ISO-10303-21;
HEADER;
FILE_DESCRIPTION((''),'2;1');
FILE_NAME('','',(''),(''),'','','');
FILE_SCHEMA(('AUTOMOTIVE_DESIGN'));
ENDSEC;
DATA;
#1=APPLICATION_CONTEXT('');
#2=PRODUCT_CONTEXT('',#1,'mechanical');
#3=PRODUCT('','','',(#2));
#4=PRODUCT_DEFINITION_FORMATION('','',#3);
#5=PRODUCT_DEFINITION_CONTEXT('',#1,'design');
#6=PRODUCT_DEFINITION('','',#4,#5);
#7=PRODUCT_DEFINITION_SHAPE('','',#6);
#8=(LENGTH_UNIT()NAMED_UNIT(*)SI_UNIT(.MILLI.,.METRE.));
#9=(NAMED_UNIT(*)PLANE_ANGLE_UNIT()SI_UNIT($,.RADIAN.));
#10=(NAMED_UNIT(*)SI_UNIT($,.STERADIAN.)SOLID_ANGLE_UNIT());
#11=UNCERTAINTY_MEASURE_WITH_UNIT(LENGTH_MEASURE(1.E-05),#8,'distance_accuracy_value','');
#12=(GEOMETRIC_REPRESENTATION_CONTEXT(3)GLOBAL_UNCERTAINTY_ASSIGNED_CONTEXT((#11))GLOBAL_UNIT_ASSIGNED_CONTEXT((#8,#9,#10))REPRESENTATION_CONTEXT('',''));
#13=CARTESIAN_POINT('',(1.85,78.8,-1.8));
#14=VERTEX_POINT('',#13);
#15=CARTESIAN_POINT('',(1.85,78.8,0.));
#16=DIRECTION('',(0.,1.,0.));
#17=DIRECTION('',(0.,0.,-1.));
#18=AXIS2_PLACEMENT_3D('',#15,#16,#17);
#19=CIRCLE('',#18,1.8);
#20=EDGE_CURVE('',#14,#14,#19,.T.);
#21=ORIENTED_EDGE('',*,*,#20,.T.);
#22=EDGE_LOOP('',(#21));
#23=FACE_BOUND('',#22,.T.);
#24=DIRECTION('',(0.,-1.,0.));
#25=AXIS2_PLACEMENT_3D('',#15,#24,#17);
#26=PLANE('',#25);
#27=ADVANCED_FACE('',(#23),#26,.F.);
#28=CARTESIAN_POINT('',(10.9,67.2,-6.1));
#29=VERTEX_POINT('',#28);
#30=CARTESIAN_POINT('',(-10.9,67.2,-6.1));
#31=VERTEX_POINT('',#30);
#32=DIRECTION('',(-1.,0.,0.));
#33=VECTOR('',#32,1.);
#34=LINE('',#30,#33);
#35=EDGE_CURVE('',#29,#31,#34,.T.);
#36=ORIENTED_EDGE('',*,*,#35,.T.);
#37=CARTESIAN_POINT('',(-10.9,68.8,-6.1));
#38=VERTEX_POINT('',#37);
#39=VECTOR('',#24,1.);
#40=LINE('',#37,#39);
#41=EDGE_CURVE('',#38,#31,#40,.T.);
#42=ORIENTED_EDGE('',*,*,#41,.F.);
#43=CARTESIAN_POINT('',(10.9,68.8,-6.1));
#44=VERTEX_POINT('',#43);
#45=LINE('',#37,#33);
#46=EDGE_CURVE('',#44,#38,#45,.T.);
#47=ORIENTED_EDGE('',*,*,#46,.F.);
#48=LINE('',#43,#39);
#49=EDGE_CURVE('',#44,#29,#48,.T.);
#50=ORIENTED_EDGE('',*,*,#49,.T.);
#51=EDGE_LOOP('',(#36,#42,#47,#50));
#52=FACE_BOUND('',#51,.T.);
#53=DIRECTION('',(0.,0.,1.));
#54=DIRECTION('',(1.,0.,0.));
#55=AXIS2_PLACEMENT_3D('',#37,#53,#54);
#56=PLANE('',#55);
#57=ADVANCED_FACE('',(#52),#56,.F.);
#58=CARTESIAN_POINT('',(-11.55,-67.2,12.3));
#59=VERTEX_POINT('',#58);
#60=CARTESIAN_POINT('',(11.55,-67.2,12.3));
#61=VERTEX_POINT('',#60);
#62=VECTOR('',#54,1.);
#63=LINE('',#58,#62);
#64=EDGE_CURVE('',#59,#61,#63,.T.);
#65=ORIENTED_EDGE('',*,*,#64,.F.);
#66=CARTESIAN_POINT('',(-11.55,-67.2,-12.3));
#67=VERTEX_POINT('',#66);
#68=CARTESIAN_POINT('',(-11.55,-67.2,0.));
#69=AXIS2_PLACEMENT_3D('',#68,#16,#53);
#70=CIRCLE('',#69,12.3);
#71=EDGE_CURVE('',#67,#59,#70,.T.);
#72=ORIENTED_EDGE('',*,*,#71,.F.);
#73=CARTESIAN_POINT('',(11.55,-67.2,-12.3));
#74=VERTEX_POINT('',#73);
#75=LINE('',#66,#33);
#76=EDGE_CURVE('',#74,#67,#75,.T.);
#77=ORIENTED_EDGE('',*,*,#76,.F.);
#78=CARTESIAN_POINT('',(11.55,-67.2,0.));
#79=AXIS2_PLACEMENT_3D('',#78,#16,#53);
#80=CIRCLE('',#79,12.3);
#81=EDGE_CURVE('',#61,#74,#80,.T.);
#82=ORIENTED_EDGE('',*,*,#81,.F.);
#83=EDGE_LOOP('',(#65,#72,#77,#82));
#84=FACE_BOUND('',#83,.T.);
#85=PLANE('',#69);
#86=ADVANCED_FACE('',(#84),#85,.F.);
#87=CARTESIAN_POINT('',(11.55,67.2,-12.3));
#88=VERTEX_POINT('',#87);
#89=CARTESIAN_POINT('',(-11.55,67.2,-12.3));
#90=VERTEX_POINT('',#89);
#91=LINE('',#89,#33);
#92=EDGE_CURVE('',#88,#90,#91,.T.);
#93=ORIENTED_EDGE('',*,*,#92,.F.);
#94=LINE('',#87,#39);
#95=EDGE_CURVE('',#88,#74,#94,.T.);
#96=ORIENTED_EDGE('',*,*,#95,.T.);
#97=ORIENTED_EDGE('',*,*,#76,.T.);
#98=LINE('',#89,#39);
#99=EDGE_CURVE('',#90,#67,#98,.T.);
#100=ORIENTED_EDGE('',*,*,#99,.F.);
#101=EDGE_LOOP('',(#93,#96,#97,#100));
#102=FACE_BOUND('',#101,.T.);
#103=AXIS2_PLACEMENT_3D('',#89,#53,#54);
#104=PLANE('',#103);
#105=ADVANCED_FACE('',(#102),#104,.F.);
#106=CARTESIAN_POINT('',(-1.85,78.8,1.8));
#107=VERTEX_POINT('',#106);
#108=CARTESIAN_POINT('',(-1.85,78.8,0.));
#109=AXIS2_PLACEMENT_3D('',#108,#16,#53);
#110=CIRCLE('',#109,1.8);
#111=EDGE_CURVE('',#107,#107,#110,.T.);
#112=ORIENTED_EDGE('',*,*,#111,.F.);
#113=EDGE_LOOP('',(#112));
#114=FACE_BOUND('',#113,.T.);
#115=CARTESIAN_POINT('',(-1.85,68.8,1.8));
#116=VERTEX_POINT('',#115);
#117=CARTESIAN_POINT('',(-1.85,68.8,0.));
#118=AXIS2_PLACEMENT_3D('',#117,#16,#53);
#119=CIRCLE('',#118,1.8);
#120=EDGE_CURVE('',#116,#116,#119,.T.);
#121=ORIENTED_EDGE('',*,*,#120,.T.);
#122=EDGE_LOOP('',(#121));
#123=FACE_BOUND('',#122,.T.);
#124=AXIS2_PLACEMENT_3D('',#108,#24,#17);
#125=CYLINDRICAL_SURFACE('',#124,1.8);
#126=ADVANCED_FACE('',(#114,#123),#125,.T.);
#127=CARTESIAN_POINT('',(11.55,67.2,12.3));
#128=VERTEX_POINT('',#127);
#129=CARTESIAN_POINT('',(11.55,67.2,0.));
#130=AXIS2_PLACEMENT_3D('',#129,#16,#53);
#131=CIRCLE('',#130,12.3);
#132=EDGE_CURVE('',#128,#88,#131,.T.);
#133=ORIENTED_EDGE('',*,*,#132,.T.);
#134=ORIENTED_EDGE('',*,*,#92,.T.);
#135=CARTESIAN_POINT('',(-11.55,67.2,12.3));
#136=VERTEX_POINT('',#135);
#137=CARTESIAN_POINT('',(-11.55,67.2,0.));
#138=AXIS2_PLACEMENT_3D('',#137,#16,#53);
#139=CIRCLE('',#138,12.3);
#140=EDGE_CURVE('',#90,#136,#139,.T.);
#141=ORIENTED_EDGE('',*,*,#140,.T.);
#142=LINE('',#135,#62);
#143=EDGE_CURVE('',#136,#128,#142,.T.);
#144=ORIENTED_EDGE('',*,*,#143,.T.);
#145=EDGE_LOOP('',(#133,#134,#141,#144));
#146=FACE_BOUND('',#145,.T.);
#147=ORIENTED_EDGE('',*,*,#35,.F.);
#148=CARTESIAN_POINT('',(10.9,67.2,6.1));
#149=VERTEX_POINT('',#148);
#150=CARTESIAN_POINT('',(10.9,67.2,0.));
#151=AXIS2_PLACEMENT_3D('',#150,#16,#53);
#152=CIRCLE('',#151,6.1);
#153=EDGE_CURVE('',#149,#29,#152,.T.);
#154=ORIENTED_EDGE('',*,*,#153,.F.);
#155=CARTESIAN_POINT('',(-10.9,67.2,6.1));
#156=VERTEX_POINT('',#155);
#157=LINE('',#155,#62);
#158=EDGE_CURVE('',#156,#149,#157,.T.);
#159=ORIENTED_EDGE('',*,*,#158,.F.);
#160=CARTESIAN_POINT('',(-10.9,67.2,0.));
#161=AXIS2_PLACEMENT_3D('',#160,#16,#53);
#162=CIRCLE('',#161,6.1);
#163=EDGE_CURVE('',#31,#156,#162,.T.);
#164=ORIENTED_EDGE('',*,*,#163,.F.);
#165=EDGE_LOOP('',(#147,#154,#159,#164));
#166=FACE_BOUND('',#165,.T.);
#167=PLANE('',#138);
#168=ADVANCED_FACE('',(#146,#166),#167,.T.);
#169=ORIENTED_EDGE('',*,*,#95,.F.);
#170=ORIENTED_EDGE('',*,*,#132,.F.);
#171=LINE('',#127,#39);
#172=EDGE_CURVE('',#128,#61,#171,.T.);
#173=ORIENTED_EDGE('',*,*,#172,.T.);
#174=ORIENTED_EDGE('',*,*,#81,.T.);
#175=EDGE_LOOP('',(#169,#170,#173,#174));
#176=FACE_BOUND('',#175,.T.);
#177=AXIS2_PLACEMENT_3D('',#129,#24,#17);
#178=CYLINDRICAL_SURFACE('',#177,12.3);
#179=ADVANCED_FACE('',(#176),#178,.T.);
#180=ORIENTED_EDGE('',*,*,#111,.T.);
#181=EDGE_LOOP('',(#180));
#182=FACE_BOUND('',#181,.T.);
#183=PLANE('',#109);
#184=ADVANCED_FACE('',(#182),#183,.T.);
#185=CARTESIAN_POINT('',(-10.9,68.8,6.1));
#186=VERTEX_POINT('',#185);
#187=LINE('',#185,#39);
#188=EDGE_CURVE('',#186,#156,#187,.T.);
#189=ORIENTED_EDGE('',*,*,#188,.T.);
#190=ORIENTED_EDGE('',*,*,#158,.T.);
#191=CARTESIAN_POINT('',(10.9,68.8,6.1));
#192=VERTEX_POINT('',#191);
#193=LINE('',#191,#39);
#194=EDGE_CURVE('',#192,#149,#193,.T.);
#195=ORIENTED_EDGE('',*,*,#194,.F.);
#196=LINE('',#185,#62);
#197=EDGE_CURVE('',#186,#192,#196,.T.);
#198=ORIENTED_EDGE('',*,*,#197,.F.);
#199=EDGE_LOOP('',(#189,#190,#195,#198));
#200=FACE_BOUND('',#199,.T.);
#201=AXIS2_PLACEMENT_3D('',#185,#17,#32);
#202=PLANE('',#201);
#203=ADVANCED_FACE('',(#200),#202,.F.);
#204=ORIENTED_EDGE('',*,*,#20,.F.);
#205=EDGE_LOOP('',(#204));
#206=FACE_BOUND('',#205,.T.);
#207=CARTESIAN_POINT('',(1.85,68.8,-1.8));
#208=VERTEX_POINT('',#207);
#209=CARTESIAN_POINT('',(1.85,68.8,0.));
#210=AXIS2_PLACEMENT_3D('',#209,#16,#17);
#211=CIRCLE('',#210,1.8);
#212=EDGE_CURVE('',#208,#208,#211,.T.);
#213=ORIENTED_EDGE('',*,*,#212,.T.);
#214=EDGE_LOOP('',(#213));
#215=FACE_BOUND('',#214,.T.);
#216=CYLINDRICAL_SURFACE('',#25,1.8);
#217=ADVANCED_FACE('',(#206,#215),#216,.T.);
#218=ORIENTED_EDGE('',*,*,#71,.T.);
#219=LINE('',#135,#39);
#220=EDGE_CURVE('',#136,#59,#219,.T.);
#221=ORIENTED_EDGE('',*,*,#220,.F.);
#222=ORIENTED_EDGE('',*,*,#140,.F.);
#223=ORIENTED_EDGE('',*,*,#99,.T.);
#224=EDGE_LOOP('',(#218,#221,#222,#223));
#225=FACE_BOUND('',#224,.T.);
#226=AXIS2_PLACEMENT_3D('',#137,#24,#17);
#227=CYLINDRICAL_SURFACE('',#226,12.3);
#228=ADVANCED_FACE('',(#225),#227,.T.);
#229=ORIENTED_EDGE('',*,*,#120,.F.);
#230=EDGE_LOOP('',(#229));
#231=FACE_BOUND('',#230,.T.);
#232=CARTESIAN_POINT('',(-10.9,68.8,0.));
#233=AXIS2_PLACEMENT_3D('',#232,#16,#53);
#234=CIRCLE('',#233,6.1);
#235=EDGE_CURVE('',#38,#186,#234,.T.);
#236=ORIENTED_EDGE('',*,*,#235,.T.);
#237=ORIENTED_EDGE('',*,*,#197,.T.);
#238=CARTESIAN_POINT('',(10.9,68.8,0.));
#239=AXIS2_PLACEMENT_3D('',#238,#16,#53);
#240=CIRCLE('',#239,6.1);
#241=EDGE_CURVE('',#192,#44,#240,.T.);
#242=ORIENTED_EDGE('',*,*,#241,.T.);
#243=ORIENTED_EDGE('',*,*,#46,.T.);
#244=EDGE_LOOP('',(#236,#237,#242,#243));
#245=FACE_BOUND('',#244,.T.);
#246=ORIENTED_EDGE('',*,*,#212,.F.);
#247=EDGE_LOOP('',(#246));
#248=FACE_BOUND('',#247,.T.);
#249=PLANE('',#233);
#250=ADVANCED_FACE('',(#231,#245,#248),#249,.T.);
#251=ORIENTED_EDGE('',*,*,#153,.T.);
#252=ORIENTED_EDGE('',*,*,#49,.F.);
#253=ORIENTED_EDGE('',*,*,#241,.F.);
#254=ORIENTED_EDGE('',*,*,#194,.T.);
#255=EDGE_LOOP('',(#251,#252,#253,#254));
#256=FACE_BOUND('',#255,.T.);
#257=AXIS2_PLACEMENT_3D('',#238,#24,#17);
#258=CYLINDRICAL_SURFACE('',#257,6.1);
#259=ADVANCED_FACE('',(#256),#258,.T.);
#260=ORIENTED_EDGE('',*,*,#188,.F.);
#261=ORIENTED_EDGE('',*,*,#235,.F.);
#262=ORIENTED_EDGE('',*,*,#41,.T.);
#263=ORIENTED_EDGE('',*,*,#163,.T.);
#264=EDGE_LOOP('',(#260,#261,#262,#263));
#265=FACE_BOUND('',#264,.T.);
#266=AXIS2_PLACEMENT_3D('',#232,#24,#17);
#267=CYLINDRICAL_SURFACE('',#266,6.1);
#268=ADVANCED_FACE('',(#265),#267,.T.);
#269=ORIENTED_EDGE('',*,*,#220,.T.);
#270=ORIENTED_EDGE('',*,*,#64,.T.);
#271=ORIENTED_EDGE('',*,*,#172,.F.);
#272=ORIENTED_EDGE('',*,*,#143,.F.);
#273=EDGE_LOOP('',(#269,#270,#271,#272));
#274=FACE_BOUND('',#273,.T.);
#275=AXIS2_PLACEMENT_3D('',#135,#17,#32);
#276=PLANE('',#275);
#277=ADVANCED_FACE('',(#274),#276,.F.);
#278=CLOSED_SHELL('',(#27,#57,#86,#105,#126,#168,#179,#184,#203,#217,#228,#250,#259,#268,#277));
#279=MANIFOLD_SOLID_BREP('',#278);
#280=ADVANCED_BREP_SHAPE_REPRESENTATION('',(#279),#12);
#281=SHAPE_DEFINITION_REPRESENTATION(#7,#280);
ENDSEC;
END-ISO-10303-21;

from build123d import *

# Parameters (mm, degrees)
BOSS_EXTRU_1_DEPTH = 67.2
BOSS_EXTRU_2_DEPTH = 1.6
ESQUISSE3_R        = 1.8
BOSS_EXTRU_3_DEPTH = 10


with BuildPart() as part:
    # Esquisse1 → Boss.-Extru.1 (new, symmetric)
    with BuildSketch(Plane(origin=(0, 0, 0), x_dir=(1, 0, 0), z_dir=(0, 1, 0))):
        with BuildLine():
            Line((-11.55, 12.3), (11.55, 12.3))
            ThreePointArc((11.55, 12.3), (23.85, 0), (11.55, -12.3))
            Line((11.55, -12.3), (-11.55, -12.3))
            ThreePointArc((-11.55, -12.3), (-23.85, 0), (-11.55, 12.3))
        make_face()
    extrude(amount=BOSS_EXTRU_1_DEPTH, both=True)

    # Esquisse2 → Boss.-Extru.2 (add)
    with BuildSketch(Plane(origin=(0, 67.2, 0), x_dir=(1, 0, 0), z_dir=(0, 1, 0))):
        with BuildLine():
            Line((-10.9, 6.1), (10.9, 6.1))
            ThreePointArc((10.9, 6.1), (17, 0), (10.9, -6.1))
            Line((10.9, -6.1), (-10.9, -6.1))
            ThreePointArc((-10.9, -6.1), (-17, 0), (-10.9, 6.1))
        make_face()
    extrude(amount=BOSS_EXTRU_2_DEPTH)

    # Esquisse3 → Boss.-Extru.3 (add)
    with BuildSketch(Plane(origin=(0, 68.8, 0), x_dir=(1, 0, 0), z_dir=(0, 1, 0))):
        with Locations(Location((-1.85, 0, 0), (0, 0, 270))):
            Circle(ESQUISSE3_R)
        with Locations(Location((1.85, 0, 0), (0, 0, 90))):
            Circle(ESQUISSE3_R)
    extrude(amount=BOSS_EXTRU_3_DEPTH)


solid = part.part
